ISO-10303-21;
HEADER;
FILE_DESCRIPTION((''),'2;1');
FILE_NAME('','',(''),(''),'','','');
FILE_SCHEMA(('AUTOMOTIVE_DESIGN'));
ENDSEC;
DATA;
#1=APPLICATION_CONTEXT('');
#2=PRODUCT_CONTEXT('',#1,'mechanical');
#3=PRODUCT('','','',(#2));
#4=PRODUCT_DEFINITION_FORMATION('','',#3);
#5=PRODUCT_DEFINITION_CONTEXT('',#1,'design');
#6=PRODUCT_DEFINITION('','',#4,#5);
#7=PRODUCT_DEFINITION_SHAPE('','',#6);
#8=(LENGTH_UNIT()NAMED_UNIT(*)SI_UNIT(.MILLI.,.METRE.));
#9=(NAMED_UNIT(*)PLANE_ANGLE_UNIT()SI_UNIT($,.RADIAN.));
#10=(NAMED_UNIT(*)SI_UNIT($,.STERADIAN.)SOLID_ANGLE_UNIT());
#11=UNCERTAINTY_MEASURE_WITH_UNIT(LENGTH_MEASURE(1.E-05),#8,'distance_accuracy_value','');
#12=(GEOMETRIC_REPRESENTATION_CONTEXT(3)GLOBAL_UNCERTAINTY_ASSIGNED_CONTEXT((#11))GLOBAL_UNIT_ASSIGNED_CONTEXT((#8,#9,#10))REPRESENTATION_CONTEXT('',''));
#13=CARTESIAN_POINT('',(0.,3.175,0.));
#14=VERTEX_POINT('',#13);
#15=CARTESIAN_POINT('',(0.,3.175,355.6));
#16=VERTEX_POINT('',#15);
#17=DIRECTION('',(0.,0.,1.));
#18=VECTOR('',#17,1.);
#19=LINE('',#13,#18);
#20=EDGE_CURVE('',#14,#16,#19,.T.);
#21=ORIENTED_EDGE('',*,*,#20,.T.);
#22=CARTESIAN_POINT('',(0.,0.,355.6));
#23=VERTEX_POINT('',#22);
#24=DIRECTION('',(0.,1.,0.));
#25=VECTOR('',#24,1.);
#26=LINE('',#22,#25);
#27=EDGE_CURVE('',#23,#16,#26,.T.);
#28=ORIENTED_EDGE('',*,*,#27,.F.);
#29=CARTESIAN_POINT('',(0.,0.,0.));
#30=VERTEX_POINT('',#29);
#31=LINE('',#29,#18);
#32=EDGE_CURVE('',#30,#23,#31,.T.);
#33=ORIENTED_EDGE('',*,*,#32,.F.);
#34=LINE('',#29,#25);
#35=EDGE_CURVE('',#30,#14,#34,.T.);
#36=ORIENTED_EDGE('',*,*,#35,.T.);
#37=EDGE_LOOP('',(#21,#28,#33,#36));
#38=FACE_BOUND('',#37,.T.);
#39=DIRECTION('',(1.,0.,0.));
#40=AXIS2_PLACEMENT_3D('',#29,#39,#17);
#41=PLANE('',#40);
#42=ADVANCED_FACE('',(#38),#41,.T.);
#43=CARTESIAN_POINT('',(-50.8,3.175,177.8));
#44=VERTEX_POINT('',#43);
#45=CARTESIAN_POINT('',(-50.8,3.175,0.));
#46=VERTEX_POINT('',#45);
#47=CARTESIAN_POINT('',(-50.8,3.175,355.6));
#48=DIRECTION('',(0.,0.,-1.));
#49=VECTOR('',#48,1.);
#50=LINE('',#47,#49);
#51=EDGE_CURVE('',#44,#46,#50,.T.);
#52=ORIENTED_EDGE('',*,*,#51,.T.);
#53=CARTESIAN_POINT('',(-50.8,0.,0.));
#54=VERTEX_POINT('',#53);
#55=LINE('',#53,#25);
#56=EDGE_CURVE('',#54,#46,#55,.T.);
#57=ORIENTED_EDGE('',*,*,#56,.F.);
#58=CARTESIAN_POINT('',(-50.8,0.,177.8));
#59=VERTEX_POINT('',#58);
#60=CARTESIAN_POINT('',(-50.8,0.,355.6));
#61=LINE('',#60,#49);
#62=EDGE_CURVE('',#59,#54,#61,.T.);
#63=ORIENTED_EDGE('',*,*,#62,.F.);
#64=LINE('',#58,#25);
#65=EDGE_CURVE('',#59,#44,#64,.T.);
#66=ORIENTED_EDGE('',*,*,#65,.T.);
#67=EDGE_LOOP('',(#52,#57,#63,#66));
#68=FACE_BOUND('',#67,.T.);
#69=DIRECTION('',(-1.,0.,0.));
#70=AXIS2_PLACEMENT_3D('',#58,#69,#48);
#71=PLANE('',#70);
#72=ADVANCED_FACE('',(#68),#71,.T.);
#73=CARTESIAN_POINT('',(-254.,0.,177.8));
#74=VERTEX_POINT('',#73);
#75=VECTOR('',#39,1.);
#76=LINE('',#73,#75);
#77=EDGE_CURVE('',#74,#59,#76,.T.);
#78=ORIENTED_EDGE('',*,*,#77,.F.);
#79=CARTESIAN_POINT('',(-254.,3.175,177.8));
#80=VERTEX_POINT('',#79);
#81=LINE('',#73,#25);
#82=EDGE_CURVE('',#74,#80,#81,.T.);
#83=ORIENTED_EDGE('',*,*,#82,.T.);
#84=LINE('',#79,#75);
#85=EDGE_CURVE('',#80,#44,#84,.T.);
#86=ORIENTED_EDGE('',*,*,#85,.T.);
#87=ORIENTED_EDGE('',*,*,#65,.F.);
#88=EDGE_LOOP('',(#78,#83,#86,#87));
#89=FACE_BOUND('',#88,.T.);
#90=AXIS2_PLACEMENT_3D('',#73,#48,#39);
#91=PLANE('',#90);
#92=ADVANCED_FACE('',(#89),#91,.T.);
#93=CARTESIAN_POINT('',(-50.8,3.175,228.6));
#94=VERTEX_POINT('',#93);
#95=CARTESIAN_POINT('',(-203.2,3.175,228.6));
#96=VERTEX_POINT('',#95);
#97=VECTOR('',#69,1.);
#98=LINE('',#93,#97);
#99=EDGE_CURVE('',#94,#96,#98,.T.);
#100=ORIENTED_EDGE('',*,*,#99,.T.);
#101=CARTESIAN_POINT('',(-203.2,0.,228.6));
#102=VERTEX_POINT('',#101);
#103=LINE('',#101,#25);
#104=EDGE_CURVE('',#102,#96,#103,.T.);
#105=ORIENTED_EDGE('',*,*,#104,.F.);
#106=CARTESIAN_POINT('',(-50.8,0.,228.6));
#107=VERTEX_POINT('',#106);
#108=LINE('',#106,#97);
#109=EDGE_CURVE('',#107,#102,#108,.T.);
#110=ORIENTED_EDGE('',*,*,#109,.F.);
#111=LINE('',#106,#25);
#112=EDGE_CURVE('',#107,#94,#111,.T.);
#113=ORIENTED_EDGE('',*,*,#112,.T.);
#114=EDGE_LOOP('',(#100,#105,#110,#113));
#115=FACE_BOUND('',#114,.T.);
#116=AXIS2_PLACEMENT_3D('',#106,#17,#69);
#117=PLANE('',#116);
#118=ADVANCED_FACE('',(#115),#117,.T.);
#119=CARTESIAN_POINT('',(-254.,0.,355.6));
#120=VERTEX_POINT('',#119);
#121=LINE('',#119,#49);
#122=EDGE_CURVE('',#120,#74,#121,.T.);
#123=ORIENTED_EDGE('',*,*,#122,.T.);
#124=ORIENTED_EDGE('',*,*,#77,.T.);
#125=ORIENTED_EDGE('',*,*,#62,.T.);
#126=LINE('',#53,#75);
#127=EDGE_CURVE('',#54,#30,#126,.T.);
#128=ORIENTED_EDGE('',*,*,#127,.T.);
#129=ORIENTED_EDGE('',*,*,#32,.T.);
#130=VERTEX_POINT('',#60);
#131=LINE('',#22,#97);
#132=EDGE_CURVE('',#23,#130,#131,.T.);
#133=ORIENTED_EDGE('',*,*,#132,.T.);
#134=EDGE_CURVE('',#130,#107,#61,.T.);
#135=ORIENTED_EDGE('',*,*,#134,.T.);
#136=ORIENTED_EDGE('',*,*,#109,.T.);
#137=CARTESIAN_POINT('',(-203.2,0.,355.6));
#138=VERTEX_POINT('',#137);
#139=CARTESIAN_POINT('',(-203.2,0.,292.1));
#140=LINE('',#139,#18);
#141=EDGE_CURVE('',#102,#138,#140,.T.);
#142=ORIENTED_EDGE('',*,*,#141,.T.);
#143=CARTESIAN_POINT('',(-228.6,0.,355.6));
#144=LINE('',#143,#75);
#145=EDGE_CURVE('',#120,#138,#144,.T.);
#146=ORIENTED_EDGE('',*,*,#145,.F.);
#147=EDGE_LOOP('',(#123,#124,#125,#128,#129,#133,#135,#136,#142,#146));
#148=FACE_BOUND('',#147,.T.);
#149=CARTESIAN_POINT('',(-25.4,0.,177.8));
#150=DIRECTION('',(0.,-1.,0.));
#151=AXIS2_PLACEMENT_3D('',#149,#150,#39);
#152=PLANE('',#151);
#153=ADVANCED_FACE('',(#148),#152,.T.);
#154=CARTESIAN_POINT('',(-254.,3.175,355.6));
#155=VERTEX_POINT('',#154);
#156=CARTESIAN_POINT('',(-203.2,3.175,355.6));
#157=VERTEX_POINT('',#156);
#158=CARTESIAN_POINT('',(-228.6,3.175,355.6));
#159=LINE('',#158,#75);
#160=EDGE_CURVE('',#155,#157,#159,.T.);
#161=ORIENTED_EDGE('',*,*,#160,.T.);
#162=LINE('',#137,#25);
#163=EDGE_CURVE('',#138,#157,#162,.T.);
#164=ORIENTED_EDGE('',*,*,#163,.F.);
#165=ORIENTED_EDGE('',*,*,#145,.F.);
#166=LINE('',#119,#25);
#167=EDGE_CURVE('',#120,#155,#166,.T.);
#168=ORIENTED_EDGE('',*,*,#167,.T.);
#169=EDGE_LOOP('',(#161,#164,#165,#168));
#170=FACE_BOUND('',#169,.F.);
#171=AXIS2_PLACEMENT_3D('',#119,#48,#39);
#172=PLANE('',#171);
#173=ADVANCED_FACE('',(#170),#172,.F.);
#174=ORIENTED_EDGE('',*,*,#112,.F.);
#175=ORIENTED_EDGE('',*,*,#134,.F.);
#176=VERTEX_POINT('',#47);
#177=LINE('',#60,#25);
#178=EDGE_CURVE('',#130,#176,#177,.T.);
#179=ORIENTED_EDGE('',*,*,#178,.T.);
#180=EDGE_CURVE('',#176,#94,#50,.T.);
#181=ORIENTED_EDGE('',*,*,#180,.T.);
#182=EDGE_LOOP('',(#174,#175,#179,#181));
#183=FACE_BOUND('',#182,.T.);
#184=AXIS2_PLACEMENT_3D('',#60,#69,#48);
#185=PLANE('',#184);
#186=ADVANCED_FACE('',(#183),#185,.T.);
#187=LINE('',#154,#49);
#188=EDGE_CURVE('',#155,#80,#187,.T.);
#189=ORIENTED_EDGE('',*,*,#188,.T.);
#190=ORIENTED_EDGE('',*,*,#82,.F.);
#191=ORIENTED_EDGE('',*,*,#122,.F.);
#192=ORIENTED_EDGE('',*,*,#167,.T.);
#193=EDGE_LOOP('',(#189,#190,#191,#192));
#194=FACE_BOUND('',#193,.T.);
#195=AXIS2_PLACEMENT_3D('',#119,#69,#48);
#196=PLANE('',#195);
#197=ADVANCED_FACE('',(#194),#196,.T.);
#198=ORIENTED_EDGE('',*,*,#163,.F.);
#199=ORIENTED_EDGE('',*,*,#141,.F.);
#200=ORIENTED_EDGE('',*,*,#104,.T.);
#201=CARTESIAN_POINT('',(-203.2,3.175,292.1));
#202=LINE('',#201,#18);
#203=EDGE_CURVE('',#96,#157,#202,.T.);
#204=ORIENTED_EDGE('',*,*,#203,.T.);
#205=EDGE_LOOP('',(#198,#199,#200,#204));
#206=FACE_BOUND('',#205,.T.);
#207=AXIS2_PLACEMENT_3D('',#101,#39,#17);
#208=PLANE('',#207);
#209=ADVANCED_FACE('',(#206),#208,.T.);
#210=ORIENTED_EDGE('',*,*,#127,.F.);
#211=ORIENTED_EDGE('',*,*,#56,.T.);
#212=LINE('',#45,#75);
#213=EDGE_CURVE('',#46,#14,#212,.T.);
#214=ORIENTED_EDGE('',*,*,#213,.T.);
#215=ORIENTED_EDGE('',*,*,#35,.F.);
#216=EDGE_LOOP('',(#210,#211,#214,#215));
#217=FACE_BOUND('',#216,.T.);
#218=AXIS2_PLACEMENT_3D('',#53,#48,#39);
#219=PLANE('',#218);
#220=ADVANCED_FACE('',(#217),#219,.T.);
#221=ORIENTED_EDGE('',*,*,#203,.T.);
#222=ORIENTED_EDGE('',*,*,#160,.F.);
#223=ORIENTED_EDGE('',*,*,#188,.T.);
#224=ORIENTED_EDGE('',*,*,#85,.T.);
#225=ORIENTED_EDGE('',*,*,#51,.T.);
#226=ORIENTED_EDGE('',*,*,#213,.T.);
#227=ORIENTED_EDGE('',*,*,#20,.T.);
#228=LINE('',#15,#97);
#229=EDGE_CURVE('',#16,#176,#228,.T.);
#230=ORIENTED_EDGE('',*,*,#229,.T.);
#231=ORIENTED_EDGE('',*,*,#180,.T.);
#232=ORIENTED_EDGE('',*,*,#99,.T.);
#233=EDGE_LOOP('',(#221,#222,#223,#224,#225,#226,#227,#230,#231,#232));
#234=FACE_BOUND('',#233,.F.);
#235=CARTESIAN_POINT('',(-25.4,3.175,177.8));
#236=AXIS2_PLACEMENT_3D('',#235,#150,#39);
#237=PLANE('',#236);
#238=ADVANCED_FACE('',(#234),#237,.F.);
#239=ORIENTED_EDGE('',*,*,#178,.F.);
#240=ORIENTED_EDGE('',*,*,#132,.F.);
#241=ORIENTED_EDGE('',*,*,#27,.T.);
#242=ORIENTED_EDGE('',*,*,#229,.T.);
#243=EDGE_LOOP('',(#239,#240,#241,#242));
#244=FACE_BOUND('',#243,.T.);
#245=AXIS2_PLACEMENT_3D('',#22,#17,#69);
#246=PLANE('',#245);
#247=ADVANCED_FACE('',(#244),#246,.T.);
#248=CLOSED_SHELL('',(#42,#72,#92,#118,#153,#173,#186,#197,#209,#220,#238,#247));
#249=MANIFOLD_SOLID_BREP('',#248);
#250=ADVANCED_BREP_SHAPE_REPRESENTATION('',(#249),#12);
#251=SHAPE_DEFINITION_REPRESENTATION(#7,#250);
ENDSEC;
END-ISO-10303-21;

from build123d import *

# Parameters (mm, degrees)
F0_W     = 50.8
F0_H     = 127
F1_DEPTH = 3.175


with BuildPart() as f1:
    # F0 (on Front) → F1 (new body)
    with BuildSketch(Plane.XZ):
        Polygon((-50.8, 0), (0, 0), (0, 355.6), (-50.8, 355.6), (-50.8, 228.6), (-50.8, 177.8), align=None)
        Polygon((-254, 177.8), (-50.8, 177.8), (-50.8, 228.6), (-203.2, 228.6), (-254, 228.6), align=None)
        with Locations((-228.6, 292.1)):
            Rectangle(F0_W, F0_H)
    extrude(amount=-F1_DEPTH)


solid = f1.part
